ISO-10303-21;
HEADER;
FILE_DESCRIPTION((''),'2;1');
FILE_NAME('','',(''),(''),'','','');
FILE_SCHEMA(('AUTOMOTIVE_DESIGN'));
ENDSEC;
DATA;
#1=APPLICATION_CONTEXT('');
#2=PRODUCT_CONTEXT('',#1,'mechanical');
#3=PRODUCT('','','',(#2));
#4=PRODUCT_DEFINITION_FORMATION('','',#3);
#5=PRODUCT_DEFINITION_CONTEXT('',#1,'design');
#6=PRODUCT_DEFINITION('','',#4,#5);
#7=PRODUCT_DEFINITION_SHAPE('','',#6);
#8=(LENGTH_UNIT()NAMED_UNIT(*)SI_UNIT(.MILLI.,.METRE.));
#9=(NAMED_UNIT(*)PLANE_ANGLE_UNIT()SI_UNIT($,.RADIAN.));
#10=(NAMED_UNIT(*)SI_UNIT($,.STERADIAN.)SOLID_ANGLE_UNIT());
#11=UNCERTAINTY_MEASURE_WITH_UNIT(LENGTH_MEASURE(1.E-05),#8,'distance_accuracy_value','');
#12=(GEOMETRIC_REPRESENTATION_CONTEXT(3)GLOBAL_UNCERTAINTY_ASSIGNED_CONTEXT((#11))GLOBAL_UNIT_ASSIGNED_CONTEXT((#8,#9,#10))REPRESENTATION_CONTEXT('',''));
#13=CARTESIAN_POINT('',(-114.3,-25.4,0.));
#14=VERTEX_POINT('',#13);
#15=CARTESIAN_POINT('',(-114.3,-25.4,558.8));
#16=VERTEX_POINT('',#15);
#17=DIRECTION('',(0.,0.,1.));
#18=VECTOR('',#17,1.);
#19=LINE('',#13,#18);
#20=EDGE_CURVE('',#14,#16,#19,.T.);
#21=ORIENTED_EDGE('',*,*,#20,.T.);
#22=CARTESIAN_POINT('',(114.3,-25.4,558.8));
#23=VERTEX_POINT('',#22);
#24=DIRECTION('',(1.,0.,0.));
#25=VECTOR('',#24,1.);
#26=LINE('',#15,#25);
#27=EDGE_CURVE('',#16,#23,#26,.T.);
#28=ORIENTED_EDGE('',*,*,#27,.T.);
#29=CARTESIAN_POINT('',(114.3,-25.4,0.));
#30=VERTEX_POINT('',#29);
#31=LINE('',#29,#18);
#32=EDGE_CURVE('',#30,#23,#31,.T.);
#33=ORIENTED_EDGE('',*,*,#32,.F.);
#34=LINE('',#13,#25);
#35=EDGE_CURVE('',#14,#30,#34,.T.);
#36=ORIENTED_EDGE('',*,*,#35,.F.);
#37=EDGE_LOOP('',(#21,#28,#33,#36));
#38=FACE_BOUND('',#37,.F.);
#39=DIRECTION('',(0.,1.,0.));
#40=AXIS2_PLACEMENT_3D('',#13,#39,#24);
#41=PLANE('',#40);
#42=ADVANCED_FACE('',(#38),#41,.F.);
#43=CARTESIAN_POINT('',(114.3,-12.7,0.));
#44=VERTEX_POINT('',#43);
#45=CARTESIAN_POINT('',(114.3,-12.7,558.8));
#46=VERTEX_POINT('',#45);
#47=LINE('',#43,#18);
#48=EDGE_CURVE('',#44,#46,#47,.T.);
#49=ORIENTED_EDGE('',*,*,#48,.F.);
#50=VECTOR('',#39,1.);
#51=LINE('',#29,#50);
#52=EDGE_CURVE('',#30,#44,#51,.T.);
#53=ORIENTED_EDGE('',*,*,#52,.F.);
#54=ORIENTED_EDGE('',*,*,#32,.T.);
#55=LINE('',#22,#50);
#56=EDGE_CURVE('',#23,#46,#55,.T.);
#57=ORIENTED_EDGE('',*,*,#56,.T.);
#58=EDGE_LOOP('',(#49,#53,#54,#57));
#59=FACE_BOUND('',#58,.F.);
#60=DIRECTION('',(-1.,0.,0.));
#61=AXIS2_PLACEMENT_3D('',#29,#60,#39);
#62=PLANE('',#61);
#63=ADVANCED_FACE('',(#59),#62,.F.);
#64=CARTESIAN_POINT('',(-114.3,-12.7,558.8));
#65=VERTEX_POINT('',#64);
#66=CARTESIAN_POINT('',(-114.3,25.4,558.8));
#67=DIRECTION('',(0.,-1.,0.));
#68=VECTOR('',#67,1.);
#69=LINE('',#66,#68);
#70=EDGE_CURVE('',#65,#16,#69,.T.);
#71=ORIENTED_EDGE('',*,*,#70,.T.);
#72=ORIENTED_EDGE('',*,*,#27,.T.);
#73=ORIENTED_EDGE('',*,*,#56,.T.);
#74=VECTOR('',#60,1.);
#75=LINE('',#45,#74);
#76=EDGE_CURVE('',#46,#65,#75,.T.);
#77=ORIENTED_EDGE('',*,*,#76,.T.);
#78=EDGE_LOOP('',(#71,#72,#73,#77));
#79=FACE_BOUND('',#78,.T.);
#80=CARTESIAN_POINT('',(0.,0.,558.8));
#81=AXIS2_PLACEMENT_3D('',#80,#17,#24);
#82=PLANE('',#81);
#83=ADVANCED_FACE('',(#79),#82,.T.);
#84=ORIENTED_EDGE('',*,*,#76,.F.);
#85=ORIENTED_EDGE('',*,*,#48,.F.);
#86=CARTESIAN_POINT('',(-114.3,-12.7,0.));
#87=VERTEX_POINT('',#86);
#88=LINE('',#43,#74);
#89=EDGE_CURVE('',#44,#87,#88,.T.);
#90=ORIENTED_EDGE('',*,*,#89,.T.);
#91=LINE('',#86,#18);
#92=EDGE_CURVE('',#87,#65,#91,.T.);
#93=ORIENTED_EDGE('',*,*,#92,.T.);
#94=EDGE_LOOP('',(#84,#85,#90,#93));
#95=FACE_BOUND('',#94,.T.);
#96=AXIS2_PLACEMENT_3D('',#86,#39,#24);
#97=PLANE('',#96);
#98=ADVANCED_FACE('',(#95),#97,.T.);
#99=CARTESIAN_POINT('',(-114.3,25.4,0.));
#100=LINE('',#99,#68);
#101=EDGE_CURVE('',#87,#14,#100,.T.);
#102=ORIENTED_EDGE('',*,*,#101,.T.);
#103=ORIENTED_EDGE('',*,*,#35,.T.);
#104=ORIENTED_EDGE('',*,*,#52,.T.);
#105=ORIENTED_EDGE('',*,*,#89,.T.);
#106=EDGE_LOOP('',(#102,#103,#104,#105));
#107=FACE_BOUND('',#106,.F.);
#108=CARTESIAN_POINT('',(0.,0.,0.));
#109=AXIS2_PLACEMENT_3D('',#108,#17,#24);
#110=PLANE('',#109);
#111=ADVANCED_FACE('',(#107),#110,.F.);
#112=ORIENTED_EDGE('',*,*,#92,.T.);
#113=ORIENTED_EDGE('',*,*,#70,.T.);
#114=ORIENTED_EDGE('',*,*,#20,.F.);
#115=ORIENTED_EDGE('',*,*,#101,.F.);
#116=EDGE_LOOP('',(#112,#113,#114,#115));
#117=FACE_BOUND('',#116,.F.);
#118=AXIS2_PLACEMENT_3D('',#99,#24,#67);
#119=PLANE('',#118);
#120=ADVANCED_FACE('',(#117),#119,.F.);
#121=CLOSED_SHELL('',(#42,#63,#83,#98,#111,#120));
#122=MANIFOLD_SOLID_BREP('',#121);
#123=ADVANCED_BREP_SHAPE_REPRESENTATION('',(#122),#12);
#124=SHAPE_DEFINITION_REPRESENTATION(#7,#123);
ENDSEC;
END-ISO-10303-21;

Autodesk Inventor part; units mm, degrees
ref_plane "YZ Plane" through (0, 0, 0) normal (1, 0, 0) x (0, 1, 0)
ref_plane "XZ Plane" through (0, 0, 0) normal (0, 1, 0) x (-1, 0, 0)
ref_plane "XY Plane" through (0, 0, 0) normal (0, 0, 1) x (1, 0, 0)
sketch "Sketch1" plane through (0, 0, 0) normal (0, 0, 1) x (1, 0, 0)
  line L0 (-114.3, -25.4) -> (114.3, -25.4)
  line L1 (114.3, -25.4) -> (114.3, 25.4)
  line L2 (114.3, 25.4) -> (-114.3, 25.4)
  line L3 (-114.3, 25.4) -> (-114.3, -25.4)
  line L4 (-114.3, -25.4) -> (114.3, 25.4) construction
  line L5 (114.3, -25.4) -> (-114.3, 25.4) construction
  point P0 (0, 0)
  dimension "d0" = 228.6
  dimension "d1" = 50.8
extrude "Extrusion1" add sketch "Sketch1" along normal blind 558.8
sketch "Sketch2" plane through (-114.3, 25.4, 0) normal (0, 1, 0) x (1, 0, 0)
  line L0 (228.6, 0) -> (0, 0) projected
  line L1 (0, 0) -> (0, -558.8) projected
  line L2 (228.6, -558.8) -> (0, -558.8) projected
  line L3 (228.6, 0) -> (228.6, -558.8) projected
  point P0 (114.3, 0)
extrude "Extrusion2" cut sketch "Sketch2" against normal blind 38.1
properties part number "Left Mounting Board"
